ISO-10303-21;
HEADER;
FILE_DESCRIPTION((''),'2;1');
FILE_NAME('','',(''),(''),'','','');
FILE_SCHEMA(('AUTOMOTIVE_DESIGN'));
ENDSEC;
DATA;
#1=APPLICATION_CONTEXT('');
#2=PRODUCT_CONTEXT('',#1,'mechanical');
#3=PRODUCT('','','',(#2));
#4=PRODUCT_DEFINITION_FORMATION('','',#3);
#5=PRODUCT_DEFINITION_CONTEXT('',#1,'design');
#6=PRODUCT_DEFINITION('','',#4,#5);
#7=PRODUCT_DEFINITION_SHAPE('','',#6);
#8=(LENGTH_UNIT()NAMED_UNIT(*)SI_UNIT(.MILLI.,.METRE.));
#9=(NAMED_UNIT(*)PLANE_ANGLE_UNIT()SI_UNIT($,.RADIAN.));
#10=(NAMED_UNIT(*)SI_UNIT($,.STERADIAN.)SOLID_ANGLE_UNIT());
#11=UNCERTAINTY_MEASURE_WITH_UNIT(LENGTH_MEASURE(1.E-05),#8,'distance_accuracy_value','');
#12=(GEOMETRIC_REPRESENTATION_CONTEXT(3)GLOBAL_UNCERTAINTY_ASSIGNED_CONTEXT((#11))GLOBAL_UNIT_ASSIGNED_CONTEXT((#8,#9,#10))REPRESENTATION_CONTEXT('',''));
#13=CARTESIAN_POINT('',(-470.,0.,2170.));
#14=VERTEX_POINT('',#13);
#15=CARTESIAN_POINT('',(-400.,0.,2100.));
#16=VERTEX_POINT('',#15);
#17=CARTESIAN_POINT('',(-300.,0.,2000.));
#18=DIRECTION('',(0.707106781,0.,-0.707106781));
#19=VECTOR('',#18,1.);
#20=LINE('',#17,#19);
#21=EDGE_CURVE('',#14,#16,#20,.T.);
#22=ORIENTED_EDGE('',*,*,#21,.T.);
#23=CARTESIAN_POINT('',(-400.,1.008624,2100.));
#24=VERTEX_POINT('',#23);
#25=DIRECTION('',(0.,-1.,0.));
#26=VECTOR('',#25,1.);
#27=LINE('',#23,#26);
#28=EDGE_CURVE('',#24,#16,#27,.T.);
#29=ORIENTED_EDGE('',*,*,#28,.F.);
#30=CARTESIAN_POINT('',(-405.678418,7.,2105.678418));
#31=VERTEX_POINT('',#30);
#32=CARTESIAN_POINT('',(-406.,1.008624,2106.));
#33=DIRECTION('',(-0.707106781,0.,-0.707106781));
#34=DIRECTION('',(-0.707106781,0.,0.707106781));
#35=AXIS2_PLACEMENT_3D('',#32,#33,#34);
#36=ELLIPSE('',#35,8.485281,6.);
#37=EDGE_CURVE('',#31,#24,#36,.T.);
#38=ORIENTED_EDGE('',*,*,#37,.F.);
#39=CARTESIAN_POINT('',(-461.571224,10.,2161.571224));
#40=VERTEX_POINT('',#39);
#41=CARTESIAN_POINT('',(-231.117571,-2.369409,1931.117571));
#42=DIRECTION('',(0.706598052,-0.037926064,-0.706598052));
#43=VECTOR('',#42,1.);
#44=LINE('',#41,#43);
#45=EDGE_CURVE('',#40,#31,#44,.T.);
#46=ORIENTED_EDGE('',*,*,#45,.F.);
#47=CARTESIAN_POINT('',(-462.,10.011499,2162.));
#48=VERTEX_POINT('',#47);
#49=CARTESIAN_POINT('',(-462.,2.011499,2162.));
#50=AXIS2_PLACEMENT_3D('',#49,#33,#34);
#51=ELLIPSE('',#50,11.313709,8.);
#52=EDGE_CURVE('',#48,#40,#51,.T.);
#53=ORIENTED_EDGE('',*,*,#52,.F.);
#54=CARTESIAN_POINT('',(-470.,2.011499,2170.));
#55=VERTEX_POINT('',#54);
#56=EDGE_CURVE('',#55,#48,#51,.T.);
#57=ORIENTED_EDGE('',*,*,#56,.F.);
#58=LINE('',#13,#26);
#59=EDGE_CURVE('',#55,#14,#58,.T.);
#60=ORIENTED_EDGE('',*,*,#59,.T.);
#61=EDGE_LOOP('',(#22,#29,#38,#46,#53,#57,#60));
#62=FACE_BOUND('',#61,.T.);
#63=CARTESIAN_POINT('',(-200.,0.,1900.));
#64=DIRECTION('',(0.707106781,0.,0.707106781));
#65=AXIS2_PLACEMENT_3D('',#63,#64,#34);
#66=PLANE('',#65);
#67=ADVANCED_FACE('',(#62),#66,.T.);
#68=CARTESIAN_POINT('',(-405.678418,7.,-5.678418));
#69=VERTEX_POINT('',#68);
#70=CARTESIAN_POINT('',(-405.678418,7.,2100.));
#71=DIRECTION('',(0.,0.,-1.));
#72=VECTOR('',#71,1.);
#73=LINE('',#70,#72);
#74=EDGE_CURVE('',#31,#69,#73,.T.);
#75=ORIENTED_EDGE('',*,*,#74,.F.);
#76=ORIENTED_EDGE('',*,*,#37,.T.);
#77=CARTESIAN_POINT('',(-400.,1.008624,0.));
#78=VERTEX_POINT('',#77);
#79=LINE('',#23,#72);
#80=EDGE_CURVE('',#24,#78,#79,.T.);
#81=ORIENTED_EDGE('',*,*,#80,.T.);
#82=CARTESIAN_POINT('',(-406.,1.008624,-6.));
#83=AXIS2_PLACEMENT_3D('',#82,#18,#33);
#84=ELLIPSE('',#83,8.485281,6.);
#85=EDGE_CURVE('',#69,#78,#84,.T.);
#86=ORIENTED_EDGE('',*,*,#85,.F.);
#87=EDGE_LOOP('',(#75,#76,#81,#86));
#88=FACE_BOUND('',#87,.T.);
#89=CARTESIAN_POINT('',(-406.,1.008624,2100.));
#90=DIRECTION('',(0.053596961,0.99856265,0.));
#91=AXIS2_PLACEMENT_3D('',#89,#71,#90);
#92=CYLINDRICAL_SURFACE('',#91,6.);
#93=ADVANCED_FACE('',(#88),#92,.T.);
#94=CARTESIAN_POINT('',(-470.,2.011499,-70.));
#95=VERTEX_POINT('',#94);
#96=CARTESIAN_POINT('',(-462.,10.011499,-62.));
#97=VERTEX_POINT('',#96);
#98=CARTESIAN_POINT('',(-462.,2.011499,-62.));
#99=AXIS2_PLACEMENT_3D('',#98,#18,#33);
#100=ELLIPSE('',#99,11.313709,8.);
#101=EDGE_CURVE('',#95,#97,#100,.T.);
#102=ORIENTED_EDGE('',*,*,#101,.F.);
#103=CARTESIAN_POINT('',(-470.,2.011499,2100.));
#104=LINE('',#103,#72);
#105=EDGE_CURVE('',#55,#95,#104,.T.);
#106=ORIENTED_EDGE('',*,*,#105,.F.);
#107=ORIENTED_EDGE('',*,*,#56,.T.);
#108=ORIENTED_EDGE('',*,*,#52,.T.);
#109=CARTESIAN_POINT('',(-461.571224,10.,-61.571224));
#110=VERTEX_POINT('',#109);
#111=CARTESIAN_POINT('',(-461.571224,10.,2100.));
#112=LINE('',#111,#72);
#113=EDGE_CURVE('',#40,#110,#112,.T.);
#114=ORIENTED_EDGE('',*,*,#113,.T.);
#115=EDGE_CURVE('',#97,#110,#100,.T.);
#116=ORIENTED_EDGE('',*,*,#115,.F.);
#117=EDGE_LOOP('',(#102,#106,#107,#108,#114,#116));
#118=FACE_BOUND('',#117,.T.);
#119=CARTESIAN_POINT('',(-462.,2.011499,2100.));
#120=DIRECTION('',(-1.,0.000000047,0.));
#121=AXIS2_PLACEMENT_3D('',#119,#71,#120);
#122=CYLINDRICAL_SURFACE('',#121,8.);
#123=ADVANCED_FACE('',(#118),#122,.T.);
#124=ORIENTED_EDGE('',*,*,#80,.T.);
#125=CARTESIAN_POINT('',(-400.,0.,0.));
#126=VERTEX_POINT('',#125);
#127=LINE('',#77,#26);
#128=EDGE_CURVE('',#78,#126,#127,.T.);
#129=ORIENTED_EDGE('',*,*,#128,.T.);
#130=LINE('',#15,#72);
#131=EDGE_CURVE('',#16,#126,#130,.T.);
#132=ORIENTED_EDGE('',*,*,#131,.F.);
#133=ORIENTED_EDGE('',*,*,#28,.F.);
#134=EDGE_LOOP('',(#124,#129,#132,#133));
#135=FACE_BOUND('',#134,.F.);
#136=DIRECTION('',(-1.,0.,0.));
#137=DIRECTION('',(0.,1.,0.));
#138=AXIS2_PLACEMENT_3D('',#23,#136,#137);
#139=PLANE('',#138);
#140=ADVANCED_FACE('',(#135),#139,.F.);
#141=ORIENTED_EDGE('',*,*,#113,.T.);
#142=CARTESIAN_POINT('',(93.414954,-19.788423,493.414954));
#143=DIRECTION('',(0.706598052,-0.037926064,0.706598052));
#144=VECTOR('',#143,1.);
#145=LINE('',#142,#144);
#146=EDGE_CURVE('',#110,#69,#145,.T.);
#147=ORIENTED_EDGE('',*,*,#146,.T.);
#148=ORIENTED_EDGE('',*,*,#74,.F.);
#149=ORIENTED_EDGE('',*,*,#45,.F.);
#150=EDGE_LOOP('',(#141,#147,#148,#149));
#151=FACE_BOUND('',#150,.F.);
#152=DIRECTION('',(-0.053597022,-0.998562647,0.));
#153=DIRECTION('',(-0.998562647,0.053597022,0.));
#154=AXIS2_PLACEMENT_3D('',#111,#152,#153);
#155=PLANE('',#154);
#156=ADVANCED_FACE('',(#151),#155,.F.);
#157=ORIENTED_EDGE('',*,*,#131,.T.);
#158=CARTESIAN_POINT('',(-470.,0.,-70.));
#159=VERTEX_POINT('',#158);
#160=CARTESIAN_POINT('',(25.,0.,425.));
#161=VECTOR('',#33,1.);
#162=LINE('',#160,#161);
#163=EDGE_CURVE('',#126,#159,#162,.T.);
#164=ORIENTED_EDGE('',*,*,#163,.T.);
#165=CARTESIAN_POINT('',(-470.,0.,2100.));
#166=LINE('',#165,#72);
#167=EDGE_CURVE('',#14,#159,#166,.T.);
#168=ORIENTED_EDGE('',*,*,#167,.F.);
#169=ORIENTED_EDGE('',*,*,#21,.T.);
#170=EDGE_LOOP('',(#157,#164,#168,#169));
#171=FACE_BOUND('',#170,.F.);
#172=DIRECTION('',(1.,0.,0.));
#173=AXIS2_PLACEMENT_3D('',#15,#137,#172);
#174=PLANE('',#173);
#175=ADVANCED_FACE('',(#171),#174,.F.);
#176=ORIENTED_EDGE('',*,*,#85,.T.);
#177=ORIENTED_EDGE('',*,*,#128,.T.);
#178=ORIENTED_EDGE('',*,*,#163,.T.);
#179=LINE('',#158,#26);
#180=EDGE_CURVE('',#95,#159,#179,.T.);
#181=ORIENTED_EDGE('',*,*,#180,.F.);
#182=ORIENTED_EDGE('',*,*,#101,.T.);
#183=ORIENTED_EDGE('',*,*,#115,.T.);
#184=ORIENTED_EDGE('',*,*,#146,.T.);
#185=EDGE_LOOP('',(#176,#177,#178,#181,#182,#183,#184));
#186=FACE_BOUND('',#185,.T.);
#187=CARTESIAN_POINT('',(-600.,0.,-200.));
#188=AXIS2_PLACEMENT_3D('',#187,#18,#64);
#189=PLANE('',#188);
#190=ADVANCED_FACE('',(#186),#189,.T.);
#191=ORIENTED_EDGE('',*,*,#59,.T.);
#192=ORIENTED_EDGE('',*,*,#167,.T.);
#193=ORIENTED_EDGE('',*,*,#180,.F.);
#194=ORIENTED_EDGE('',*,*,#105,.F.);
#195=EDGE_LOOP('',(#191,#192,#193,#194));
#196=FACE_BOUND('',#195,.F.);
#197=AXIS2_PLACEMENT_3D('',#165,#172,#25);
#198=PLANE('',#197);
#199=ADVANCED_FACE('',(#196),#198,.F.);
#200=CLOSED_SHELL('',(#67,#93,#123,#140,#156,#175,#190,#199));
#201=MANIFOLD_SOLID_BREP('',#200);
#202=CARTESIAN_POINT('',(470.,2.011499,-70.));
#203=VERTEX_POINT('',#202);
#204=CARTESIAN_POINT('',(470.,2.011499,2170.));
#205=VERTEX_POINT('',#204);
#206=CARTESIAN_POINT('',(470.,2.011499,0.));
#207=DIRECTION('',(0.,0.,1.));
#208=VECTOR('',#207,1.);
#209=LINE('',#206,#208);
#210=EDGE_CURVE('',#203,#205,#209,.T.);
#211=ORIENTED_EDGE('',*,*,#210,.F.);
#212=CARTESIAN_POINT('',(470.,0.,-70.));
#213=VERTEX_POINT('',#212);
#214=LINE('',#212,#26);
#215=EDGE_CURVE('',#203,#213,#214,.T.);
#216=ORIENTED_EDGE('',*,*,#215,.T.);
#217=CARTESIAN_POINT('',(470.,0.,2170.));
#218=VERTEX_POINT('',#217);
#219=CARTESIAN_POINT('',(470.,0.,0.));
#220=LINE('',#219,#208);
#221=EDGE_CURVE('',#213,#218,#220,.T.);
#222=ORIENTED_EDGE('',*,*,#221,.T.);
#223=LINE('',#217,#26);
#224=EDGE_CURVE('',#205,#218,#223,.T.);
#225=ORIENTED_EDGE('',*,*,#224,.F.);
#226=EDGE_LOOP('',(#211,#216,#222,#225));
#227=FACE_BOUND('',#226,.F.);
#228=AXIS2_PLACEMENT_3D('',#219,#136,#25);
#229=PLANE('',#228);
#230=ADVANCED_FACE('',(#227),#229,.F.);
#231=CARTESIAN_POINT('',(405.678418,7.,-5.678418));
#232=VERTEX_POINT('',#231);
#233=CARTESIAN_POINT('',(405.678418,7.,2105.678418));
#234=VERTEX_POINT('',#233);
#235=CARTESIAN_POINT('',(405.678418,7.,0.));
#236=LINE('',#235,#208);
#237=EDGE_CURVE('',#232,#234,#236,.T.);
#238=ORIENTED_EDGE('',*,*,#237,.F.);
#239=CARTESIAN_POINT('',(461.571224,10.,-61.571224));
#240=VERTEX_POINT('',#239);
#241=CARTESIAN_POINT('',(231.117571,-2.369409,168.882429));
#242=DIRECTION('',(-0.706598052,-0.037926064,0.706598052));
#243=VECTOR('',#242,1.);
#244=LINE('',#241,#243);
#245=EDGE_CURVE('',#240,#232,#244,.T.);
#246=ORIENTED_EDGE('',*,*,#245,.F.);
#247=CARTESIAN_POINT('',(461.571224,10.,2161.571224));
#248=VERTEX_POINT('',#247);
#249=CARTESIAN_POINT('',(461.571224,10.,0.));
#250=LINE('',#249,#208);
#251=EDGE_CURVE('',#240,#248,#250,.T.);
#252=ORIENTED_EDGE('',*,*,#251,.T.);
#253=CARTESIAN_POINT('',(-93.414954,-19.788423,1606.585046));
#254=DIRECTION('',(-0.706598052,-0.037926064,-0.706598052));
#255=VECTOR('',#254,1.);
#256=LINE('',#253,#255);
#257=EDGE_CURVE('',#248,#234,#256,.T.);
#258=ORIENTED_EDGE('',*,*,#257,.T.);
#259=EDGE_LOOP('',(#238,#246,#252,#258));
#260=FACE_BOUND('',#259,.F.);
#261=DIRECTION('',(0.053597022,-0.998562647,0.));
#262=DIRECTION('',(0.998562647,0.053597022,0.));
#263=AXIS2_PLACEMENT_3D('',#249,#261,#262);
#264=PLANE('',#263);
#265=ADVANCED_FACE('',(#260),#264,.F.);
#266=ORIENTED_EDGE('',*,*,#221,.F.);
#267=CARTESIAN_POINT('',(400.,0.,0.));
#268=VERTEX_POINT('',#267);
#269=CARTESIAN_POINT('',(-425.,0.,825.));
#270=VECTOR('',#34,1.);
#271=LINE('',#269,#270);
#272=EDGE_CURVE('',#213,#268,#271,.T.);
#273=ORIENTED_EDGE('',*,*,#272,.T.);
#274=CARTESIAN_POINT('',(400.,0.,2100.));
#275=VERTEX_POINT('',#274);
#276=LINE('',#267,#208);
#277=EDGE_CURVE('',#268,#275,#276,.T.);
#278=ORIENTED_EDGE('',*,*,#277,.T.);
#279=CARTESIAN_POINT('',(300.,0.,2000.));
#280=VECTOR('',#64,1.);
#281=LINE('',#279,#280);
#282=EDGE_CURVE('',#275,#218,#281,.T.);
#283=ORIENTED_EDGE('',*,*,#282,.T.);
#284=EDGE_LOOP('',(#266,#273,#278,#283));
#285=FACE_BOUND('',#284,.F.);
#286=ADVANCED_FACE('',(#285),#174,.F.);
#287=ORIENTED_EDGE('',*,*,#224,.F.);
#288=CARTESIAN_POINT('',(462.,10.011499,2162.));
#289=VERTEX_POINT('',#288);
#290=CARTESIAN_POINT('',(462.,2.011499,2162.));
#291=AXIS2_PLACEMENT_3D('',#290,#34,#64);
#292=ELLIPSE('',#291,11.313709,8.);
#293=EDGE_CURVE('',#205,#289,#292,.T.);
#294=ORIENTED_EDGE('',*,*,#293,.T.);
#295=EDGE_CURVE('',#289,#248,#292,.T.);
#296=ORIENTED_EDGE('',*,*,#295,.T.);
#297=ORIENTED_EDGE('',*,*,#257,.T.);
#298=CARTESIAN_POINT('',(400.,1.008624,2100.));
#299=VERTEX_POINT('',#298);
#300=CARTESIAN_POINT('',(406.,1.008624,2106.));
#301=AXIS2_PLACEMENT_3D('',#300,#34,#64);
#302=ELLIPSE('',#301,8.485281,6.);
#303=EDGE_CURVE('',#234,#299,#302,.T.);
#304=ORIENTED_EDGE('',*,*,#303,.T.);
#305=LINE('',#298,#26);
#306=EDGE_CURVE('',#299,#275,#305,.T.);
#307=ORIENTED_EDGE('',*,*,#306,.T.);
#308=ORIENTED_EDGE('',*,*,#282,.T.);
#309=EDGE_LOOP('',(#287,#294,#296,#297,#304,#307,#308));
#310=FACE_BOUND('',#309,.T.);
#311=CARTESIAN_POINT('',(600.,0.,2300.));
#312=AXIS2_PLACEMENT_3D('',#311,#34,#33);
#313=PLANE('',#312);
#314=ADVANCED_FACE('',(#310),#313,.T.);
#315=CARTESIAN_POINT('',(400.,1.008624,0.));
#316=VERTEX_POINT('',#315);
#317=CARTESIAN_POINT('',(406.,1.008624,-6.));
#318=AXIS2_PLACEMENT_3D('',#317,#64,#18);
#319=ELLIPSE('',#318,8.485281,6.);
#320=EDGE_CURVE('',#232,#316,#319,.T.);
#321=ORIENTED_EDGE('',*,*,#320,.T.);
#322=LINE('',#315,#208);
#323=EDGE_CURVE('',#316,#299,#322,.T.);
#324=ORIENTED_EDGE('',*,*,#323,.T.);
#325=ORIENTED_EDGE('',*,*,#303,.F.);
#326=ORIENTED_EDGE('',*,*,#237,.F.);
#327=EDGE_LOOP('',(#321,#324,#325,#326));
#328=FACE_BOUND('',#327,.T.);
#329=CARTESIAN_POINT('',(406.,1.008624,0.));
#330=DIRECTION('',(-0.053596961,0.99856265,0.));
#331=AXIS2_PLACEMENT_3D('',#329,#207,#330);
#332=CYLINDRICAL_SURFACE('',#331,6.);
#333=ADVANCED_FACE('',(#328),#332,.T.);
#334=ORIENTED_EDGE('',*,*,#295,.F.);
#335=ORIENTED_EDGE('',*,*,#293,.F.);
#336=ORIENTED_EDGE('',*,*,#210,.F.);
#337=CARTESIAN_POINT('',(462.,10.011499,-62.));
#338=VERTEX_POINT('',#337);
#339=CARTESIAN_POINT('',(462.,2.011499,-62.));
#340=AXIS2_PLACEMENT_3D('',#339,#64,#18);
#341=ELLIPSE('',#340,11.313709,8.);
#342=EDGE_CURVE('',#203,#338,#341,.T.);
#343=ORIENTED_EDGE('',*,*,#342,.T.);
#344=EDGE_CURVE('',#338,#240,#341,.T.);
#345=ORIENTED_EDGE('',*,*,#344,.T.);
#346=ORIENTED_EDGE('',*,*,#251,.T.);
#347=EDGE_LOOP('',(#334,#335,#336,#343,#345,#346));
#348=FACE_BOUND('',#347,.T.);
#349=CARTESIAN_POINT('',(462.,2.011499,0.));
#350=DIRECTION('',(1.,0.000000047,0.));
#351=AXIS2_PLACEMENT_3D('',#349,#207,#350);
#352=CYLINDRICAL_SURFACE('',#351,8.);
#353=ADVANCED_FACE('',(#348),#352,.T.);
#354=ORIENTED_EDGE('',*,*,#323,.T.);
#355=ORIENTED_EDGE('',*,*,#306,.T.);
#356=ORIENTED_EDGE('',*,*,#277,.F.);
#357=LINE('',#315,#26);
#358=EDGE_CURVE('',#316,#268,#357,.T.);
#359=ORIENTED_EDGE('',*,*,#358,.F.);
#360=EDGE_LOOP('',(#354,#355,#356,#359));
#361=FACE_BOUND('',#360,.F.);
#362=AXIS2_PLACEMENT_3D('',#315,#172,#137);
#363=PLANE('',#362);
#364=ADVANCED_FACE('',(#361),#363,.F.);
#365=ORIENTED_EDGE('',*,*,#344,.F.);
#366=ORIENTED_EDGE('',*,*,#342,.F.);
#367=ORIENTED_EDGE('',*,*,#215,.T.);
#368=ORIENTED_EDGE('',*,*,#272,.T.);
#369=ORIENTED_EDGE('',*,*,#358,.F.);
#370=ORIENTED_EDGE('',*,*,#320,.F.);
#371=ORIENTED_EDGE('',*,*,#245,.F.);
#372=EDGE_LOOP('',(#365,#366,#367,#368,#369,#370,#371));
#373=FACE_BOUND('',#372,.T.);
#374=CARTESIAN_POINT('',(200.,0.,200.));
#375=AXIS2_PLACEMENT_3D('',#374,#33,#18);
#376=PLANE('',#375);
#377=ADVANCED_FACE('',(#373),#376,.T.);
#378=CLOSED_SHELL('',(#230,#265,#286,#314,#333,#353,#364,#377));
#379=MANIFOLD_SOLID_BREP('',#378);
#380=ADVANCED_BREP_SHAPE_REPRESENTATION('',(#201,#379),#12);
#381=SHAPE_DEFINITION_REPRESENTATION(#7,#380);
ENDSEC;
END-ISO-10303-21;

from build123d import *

# Parameters (mm, degrees)
EXTRUDE039436_DEPTH = 500
EXTRUDE039434_DEPTH = 500


with BuildPart() as extrude039436_internal_inferior:
    # Sketch225 (on Sketch) → Extrude039436 (new body, symmetric)
    with BuildSketch(Plane.XZ):
        Polygon((-200, 200), (200, 200), (600, -200), (-600, -200), align=None)
    extrude(amount=EXTRUDE039436_DEPTH, both=True)


with BuildPart() as compound051:
    # Sketch223 (on Sketch) → Extrude039434 (new body, symmetric)
    with BuildSketch(Plane.XZ):
        Polygon((-600, 2300), (600, 2300), (200, 1900), (-200, 1900), align=None)
    extrude(amount=EXTRUDE039434_DEPTH, both=True)

    # Compound051: union Extrude039436_internal_inferior_
    add(extrude039436_internal_inferior.part)


with BuildPart() as trim_window_internal_vertical:
    # Sweep012: sweep along a path in Sketch195
    with BuildLine(Plane.XZ) as sweep012_path:
        Line((-400, 2100), (-400, 0))
        Line((-400, 0), (400, 0))
        Line((400, 0), (400, 2100))
        Line((400, 2100), (-400, 2100))
    # Clone2D028 (on Sketch) → Sweep012 (sweep)
    with BuildSketch(Plane.ZY):
        with BuildLine():
            Line((-61.571224, 10), (-5.678418, 7))
            ThreePointArc((-5.678418, 7), (-1.645147, 5.136003), (0, 1.008624))
            Line((0, 1.008624), (0, 0))
            Line((0, 0), (-70, 0))
            Line((-70, 0), (-70, 2.011499))
            ThreePointArc((-70, 2.011499), (-67.503171, 7.81797), (-61.571224, 10))
        make_face()
    sweep(path=sweep012_path.line, is_frenet=True, transition=Transition.RIGHT)

    # Cut074: cut Compound051_
    add(compound051.part, mode=Mode.SUBTRACT)


solid = trim_window_internal_vertical.part
